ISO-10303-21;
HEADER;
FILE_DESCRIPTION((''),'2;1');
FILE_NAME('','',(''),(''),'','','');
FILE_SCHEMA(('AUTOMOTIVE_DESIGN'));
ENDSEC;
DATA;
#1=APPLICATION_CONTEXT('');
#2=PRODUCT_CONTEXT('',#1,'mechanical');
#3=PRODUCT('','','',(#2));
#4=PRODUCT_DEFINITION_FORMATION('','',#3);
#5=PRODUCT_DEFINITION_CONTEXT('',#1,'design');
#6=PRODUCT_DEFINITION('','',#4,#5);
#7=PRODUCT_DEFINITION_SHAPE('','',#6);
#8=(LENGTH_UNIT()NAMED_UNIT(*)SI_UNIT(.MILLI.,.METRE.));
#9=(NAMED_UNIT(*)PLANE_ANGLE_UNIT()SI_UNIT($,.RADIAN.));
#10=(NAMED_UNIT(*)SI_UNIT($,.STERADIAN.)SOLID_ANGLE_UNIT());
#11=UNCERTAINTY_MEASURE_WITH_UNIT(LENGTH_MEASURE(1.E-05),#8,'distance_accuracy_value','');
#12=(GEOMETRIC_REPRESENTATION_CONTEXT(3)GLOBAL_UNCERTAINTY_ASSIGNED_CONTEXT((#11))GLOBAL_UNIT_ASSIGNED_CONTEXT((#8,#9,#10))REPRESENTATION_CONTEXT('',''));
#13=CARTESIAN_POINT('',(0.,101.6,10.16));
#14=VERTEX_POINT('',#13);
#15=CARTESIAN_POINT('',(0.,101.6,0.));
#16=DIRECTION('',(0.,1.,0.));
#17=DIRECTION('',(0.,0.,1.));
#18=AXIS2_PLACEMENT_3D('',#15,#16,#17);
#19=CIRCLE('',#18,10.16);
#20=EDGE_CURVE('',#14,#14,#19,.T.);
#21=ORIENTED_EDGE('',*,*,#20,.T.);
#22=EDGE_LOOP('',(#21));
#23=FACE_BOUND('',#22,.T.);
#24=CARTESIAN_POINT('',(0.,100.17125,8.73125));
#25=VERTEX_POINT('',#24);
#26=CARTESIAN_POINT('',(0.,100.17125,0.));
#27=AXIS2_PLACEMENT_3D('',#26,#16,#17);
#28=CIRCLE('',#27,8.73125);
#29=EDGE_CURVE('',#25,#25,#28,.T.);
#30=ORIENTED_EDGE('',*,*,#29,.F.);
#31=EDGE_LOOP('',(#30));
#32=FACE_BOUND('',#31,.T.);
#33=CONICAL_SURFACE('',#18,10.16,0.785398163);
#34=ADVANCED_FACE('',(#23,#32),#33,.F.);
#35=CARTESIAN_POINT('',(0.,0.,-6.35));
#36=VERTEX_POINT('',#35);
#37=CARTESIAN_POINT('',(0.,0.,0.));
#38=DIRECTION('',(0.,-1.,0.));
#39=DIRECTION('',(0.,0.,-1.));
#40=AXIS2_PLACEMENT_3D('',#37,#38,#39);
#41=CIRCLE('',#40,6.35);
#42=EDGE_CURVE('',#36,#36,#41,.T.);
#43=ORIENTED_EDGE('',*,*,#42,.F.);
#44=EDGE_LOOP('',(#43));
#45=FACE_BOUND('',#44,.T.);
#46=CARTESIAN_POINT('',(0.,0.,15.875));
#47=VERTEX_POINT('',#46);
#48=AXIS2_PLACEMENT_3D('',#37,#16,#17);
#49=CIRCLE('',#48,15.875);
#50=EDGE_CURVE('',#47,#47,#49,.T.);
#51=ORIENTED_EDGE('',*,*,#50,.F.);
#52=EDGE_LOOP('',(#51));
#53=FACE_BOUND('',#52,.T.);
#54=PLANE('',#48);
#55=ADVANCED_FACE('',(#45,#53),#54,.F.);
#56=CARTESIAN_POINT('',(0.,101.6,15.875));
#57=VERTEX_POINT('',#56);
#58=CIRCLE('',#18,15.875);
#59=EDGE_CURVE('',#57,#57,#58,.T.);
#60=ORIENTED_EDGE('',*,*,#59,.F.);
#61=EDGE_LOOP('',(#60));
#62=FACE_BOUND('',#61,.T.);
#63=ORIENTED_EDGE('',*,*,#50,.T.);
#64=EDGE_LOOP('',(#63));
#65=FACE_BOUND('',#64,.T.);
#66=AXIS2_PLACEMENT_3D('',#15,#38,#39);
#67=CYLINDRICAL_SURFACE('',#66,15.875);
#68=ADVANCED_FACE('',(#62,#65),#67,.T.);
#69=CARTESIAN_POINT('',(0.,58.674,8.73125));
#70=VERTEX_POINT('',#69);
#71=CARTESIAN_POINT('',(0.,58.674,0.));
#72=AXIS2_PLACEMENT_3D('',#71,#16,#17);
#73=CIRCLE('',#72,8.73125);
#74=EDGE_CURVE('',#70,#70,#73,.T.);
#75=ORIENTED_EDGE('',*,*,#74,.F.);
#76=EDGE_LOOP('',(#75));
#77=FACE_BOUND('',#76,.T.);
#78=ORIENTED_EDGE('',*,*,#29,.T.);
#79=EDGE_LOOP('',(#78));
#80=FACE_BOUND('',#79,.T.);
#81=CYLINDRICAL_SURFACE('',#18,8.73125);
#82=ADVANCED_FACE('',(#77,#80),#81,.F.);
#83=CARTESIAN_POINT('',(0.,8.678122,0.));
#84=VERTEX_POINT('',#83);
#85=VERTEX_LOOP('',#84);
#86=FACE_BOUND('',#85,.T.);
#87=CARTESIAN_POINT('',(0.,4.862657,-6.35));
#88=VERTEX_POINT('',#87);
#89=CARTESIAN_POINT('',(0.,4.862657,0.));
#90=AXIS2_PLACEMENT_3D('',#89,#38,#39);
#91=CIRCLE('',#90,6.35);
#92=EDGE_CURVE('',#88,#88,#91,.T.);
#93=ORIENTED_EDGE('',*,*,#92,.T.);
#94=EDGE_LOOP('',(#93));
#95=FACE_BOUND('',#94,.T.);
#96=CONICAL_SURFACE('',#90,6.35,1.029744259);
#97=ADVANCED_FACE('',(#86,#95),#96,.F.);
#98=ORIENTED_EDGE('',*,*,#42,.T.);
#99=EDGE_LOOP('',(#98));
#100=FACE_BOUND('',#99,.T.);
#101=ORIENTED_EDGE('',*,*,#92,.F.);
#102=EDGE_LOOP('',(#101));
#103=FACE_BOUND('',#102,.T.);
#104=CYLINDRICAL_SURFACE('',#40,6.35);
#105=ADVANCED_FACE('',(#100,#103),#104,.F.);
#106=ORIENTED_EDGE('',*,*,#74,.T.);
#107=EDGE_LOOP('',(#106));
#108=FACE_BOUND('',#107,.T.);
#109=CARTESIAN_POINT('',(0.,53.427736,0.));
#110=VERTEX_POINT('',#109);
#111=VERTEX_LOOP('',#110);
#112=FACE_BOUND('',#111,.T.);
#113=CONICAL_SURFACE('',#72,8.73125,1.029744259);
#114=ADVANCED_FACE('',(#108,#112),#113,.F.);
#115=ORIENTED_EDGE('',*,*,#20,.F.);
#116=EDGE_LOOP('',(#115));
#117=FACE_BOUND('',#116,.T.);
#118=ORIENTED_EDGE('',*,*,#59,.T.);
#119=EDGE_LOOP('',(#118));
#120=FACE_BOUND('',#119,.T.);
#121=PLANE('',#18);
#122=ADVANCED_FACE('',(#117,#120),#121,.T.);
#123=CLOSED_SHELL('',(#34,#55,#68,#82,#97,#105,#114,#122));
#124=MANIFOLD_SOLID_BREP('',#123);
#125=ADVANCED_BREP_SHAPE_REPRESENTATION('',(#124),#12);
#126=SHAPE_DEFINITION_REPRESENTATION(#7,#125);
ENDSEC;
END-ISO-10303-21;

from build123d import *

# Parameters (mm, degrees)
SKETCH1_R                         = 15.875
BOSS_EXTRUDE1_DEPTH               = 101.6
F_3_4_16_TAPPED_HOLE1_D           = 17.4625
F_3_4_16_TAPPED_HOLE1_DEPTH       = 42.926
F_3_4_16_TAPPED_HOLE1_CSINK_D     = 20.32
F_3_4_16_TAPPED_HOLE1_CSINK_ANGLE = 90
F_3_4_16_TAPPED_HOLE1_TIP         = 5.24626428


with BuildPart() as part:
    # Sketch1 → Boss-Extrude1 (new body)
    with BuildSketch(Plane(origin=(0, 0, 0), x_dir=(-1, 0, 0), z_dir=(0, 1, 0))):
        with Locations(Location((0, 0, 0), (0, 0, 90))):
            Circle(SKETCH1_R)
    extrude(amount=BOSS_EXTRUDE1_DEPTH)

    # Sketch2 → Cut-Revolve1 (revolve, cut)
    with BuildSketch(Plane(origin=(0, 0, 0), x_dir=(0, 1, 0), z_dir=(0, 0, 1)), mode=Mode.PRIVATE) as cut_revolve1_sk:
        Polygon((0, -6.35), (0, 0), (8.678122072, 0), (4.862657141, -6.35), align=None)
    revolve(cut_revolve1_sk.sketch.rotate(Axis((0, 0, 0), (0, 1, 0)), 90), axis=Axis((0, 0, 0), (0, 1, 0)), mode=Mode.SUBTRACT)

    # 3/4-16 Tapped Hole1
    with Locations(Plane(origin=(0, 101.6, 0), x_dir=(-1, 0, 0), z_dir=(0, 1, 0))):
        with Locations((0, 0)):
            CounterSinkHole(F_3_4_16_TAPPED_HOLE1_D / 2, F_3_4_16_TAPPED_HOLE1_CSINK_D / 2, depth=F_3_4_16_TAPPED_HOLE1_DEPTH, counter_sink_angle=F_3_4_16_TAPPED_HOLE1_CSINK_ANGLE)
            with Locations((0, 0, -(F_3_4_16_TAPPED_HOLE1_DEPTH + F_3_4_16_TAPPED_HOLE1_TIP / 2))):  # 118° drill point
                Cone(0, F_3_4_16_TAPPED_HOLE1_D / 2, F_3_4_16_TAPPED_HOLE1_TIP, mode=Mode.SUBTRACT)


solid = part.part
